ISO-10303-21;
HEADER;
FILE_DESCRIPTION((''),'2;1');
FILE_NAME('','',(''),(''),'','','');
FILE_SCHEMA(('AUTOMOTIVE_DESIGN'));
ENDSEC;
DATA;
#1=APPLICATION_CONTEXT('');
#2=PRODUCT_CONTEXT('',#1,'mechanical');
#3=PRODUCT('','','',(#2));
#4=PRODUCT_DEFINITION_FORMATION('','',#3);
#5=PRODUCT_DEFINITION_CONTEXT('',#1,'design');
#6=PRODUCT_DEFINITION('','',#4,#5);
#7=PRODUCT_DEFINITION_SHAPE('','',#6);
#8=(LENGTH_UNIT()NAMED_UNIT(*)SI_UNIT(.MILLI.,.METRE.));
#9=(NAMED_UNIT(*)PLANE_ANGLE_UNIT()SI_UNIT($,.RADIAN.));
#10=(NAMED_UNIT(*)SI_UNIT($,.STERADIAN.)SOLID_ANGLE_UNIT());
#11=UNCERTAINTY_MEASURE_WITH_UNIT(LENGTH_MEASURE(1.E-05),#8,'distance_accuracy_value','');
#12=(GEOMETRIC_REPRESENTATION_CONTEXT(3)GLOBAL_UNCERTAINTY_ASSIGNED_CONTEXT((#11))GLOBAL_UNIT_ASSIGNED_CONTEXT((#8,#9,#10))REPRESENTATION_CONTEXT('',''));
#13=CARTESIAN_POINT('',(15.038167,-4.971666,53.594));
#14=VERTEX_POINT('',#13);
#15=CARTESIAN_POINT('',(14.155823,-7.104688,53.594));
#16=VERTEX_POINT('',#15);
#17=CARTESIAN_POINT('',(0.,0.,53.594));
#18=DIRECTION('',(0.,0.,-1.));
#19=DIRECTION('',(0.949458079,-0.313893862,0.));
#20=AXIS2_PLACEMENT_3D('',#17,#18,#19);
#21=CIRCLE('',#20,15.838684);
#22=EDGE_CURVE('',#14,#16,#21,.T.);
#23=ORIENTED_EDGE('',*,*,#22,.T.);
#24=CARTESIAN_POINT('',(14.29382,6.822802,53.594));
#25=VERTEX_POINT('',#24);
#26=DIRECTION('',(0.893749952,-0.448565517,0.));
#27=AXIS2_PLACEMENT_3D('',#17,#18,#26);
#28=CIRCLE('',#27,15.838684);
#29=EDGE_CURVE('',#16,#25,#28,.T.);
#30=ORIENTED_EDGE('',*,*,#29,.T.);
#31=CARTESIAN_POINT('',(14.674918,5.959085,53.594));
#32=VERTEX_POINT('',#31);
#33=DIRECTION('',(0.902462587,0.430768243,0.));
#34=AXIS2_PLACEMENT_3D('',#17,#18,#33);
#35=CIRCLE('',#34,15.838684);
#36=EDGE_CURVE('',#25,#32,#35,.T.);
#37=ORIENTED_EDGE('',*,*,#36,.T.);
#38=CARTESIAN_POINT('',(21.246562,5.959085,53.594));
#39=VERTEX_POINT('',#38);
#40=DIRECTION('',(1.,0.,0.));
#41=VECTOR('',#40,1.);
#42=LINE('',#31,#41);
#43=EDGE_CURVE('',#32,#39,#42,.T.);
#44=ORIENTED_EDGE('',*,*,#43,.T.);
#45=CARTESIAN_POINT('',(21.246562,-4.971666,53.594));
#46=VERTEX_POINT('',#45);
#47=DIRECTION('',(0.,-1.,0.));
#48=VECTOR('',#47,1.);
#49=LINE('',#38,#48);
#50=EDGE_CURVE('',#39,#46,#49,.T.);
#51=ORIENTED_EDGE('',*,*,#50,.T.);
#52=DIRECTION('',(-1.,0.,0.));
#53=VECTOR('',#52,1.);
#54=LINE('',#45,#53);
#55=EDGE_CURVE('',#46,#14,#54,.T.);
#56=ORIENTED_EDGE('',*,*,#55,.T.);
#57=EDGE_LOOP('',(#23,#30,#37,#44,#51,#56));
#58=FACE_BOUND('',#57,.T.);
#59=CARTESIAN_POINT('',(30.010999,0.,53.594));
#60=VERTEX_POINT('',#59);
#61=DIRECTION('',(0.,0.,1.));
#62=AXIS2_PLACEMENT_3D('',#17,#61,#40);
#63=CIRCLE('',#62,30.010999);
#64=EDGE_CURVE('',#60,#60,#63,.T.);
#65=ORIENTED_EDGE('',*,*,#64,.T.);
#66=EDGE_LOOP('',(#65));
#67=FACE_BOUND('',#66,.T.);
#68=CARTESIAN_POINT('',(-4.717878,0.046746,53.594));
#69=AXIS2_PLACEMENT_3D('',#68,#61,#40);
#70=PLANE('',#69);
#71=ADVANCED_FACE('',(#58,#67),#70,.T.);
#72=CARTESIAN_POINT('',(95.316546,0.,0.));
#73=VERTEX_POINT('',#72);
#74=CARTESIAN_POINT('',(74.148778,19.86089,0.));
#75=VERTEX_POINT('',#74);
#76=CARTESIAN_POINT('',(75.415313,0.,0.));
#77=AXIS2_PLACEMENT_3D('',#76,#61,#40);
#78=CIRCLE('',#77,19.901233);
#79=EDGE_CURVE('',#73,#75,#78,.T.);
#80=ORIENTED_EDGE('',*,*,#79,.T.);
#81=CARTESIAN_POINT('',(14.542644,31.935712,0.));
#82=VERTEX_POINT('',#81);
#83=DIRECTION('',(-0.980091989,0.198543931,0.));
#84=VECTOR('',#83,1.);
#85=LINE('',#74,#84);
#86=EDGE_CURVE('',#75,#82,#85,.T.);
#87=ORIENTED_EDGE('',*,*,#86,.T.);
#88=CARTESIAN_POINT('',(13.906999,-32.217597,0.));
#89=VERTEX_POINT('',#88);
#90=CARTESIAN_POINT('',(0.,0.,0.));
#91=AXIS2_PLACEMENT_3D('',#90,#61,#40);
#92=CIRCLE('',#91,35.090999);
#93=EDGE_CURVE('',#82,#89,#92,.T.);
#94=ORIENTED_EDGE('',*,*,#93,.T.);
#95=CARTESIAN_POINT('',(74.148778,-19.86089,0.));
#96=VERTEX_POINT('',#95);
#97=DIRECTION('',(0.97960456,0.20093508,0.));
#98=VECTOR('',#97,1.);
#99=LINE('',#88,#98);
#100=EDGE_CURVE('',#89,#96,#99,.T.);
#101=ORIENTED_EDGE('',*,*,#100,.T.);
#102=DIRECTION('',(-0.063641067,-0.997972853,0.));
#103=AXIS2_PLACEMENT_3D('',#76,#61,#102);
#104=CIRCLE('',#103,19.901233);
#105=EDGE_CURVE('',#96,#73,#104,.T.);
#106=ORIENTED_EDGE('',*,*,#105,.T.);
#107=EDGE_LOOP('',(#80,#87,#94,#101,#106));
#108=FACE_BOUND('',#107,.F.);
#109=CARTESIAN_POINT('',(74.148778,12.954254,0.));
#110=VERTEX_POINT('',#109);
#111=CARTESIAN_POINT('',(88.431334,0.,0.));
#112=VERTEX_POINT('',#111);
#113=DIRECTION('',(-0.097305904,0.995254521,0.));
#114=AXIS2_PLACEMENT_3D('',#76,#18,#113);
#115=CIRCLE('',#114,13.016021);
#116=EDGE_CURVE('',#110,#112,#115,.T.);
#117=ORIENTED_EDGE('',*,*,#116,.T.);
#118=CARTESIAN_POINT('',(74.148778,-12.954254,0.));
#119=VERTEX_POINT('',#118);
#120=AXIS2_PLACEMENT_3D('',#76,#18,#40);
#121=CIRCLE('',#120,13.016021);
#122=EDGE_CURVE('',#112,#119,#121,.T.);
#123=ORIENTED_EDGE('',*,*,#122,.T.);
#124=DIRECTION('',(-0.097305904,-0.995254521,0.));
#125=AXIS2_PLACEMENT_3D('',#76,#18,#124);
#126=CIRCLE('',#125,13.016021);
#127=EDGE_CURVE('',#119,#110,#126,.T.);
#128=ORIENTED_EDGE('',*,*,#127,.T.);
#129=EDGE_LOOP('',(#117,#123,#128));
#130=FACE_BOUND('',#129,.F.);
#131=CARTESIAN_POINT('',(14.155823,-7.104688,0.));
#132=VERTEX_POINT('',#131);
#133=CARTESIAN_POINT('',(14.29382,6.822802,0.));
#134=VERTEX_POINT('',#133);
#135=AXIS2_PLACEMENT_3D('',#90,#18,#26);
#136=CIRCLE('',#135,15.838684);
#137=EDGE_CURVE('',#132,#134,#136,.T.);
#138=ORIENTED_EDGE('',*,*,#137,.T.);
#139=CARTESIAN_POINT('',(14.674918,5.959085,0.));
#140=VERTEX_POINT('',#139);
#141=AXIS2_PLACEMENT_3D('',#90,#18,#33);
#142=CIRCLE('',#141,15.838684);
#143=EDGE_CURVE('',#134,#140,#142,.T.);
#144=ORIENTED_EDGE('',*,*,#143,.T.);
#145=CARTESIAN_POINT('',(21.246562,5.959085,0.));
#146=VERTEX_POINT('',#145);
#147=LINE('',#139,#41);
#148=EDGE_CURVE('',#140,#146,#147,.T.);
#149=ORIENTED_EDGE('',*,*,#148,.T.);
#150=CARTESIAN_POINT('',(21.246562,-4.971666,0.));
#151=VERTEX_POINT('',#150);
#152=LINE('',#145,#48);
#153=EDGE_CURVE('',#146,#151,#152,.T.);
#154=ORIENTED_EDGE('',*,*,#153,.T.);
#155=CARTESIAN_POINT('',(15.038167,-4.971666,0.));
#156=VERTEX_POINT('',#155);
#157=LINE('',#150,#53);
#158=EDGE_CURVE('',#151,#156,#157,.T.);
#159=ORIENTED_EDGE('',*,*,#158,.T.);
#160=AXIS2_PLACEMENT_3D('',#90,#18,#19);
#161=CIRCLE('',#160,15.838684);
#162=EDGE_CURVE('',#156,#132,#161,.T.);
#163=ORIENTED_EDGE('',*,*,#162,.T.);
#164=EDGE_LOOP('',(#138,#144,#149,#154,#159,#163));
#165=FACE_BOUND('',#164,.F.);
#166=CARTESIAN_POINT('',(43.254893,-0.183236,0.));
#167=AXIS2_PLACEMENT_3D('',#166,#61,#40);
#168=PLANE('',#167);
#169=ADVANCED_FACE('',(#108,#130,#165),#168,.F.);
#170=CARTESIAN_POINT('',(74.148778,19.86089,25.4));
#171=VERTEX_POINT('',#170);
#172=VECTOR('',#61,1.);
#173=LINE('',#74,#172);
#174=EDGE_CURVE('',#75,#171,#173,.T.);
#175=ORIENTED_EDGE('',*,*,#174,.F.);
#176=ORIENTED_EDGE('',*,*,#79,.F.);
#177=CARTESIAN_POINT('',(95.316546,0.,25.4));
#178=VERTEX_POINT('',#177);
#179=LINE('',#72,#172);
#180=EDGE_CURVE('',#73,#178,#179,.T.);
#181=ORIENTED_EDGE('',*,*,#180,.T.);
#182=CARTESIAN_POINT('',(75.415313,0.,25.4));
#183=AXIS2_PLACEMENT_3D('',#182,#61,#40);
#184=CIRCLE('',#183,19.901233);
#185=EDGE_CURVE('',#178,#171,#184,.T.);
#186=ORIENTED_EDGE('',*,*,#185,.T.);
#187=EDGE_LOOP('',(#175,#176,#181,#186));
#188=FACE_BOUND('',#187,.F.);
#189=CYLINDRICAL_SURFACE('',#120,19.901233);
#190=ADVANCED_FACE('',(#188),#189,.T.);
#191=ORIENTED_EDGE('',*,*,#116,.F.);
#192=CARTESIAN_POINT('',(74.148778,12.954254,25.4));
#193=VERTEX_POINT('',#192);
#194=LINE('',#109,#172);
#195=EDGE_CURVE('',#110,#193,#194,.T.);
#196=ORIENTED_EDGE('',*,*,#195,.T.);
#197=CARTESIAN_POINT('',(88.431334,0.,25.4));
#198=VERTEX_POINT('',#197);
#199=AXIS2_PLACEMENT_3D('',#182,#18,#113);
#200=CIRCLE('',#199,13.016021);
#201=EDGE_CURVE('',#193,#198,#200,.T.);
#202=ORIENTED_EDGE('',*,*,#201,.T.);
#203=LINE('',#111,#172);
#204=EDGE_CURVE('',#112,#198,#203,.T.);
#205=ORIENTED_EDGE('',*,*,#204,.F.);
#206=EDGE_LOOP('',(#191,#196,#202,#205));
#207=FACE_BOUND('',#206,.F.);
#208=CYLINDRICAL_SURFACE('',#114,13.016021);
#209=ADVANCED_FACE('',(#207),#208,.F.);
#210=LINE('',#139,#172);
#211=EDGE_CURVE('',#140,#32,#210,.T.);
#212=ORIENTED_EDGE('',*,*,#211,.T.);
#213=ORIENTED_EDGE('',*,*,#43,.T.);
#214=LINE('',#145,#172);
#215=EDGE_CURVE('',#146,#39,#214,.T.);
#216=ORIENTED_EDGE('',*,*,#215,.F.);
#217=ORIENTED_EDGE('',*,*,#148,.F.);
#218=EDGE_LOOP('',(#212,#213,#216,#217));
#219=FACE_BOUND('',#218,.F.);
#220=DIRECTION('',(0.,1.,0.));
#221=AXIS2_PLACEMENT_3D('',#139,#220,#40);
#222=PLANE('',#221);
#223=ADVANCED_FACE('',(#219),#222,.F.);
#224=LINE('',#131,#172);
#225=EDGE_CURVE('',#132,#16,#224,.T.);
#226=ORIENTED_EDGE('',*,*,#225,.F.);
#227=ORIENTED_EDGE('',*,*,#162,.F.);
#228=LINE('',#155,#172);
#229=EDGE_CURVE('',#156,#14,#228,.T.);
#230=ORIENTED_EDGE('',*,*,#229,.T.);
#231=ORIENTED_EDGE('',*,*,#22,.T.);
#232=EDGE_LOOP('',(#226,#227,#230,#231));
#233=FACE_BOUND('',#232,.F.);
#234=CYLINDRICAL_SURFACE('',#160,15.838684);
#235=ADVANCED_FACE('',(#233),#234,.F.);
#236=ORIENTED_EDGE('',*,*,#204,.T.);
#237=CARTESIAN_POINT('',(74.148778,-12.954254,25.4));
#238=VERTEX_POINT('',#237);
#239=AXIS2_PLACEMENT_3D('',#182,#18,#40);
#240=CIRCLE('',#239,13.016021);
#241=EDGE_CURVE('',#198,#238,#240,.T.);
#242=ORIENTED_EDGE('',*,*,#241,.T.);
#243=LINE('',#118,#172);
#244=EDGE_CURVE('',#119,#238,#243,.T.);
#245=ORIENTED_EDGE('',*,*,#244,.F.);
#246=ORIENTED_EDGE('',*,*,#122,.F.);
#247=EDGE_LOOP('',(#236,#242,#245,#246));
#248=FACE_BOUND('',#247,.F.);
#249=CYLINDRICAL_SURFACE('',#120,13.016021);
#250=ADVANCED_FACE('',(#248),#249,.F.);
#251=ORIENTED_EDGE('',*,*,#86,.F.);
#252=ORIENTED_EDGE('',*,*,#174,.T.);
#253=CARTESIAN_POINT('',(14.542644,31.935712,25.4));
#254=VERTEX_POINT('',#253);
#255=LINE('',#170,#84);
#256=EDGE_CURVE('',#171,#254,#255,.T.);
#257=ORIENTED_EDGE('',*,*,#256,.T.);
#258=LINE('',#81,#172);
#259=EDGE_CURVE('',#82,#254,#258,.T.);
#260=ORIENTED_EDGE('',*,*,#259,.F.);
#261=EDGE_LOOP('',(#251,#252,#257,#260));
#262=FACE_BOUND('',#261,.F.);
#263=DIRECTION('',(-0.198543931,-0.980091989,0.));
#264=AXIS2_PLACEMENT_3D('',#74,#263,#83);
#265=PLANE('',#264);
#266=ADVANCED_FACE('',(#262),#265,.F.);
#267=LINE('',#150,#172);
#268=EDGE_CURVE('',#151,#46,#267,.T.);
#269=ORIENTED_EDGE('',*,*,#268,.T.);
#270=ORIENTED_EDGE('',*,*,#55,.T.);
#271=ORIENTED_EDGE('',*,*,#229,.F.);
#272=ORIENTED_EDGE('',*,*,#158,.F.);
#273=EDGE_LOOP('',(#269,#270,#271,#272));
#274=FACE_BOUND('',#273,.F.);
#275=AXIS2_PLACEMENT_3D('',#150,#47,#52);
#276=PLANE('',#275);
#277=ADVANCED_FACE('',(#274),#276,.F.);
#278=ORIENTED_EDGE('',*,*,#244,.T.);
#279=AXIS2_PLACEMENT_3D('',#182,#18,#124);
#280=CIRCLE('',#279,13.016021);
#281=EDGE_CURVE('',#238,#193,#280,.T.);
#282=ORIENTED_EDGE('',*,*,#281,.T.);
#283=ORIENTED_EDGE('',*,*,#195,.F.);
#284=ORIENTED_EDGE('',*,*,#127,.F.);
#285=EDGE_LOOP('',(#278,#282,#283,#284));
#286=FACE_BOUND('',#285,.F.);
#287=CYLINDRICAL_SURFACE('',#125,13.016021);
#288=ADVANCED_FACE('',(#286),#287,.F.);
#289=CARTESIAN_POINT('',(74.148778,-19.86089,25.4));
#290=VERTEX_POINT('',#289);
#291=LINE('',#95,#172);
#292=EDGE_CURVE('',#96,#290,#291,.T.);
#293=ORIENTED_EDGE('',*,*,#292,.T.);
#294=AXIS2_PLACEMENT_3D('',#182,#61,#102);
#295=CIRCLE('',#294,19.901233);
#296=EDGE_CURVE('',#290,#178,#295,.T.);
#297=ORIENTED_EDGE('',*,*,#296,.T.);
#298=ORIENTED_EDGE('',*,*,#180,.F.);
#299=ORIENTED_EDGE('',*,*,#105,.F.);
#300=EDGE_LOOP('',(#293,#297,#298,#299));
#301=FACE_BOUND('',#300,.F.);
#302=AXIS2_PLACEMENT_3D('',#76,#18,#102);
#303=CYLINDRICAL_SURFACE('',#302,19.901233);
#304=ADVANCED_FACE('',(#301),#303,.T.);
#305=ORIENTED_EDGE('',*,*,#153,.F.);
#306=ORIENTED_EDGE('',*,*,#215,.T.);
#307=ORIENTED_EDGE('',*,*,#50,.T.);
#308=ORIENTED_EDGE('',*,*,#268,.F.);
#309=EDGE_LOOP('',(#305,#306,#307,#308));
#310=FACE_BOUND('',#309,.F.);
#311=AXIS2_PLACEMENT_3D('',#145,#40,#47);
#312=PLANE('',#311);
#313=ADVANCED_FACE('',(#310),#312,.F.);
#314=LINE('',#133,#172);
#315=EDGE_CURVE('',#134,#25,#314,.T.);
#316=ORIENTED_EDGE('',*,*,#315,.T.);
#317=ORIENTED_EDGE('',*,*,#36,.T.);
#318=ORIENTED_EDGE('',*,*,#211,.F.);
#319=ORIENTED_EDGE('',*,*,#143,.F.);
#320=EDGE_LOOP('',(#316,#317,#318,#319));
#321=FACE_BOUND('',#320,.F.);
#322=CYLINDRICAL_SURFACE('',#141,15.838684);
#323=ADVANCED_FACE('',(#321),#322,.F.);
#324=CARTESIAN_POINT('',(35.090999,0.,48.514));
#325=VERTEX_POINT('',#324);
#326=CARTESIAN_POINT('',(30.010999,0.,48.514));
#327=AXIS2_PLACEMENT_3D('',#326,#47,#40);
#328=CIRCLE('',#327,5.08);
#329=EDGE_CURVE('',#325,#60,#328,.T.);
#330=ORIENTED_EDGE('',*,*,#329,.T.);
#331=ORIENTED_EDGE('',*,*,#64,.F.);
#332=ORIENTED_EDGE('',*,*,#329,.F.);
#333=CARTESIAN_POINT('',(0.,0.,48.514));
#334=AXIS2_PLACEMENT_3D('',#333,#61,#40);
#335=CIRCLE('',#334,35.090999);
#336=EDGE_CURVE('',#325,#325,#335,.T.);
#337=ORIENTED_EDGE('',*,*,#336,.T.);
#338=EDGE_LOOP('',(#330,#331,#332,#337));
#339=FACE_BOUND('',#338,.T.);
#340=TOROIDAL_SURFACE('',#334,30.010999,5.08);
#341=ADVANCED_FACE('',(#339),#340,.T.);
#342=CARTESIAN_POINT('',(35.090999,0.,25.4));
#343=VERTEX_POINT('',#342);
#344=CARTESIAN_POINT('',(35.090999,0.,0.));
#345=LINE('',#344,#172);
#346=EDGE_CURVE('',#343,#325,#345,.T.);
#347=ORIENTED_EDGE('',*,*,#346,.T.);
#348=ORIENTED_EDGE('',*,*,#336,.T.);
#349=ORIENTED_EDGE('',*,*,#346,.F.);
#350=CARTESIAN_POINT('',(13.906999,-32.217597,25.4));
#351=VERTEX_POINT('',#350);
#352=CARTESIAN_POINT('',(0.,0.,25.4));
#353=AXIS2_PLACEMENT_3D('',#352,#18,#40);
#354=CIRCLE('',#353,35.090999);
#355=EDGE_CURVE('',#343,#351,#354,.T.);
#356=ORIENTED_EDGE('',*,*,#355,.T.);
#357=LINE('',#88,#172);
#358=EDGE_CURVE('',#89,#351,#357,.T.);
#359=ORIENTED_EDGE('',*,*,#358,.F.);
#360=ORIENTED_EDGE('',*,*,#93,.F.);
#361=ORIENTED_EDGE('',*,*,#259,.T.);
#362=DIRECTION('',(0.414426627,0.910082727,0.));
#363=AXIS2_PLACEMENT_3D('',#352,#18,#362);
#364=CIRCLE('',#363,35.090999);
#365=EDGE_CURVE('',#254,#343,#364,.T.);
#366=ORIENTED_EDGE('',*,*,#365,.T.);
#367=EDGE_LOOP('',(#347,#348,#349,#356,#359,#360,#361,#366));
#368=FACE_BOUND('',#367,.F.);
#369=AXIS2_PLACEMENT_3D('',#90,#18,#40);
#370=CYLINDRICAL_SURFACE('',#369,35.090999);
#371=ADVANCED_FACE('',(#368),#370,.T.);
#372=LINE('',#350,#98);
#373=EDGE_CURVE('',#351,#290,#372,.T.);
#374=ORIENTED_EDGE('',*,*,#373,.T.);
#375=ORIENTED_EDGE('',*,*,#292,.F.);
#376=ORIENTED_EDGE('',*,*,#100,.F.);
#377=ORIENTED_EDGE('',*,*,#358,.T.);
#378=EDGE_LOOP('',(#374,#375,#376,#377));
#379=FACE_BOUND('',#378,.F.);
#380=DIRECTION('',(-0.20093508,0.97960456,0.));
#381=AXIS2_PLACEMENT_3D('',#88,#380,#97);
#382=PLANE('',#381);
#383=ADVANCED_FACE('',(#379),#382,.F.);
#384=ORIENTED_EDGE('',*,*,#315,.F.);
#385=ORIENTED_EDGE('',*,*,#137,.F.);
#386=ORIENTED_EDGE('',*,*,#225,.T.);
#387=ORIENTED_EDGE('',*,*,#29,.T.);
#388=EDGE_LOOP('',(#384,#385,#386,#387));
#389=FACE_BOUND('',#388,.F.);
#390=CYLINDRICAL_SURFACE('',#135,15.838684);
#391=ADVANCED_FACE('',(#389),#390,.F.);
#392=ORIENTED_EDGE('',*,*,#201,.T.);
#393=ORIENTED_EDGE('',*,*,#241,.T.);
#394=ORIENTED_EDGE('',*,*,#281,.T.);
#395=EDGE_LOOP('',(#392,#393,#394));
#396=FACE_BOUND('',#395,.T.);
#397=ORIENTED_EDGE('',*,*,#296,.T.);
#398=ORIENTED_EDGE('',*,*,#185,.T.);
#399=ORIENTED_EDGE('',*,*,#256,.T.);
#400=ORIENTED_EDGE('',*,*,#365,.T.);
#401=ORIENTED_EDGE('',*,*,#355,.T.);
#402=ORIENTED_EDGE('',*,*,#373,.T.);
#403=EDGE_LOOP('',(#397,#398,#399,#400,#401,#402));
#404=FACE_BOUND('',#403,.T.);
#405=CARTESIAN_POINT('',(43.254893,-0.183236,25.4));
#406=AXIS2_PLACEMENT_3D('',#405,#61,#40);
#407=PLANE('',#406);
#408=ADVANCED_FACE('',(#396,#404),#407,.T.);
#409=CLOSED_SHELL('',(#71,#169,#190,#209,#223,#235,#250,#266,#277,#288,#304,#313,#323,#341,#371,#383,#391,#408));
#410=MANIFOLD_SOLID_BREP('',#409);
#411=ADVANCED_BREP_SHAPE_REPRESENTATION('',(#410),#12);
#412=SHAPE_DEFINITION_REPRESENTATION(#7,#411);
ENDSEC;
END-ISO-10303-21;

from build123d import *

# Parameters (mm, degrees)
F1_DEPTH = 53.594
F2_DEPTH = 25.4
F3_R     = 5.08


with BuildPart() as f1:
    # F0 (on Top) → F1 (new body)
    with BuildSketch(Plane.XY):
        with BuildLine():
            Line((14.2938200345, 6.8228022219), (14.5426443405, 31.9357120423))
            ThreePointArc((14.5426443405, 31.9357120423), (-35.0892765953, 0.3476723709), (13.9069990558, -32.217597448))
            Line((13.9069990558, -32.217597448), (14.1558233618, -7.1046876277))
            ThreePointArc((14.1558233618, -7.1046876277), (-15.8379069236, 0.1569255107), (14.2938200345, 6.8228022219))
        make_face()
        with BuildLine():
            ThreePointArc((13.9069990558, -32.217597448), (29.3205448233, -19.2791042148), (35.0909989607, 0))
            ThreePointArc((35.0909989607, 0), (29.5101179725, 18.98765771), (14.5426443405, 31.9357120423))
            Line((14.5426443405, 31.9357120423), (14.2938200345, 6.8228022219))
            ThreePointArc((14.2938200345, 6.8228022219), (14.4908058573, 6.3937834608), (14.6749184523, 5.9590846408))
            Line((14.6749184523, 5.9590846408), (21.2465617806, 5.9590846408))
            Line((21.2465617806, 5.9590846408), (21.2465617806, 0))
            Line((21.2465617806, 0), (21.2465617806, -4.9716657959))
            Line((21.2465617806, -4.9716657959), (15.0381667949, -4.9716657959))
            ThreePointArc((15.0381667949, -4.9716657959), (14.6359048525, -6.0542720856), (14.1558233618, -7.1046876277))
            Line((14.1558233618, -7.1046876277), (13.9069990558, -32.217597448))
        make_face()
    extrude(amount=F1_DEPTH)

    # F0 (on Top) → F2 (join)
    with BuildSketch(Plane.XY):
        with BuildLine():
            ThreePointArc((14.5426443405, 31.9357120423), (29.5101179725, 18.98765771), (35.0909989607, 0))
            ThreePointArc((35.0909989607, 0), (29.3205448233, -19.2791042148), (13.9069990558, -32.217597448))
            Line((13.9069990558, -32.217597448), (74.1487775429, -19.8608903789))
            ThreePointArc((74.1487775429, -19.8608903789), (55.5140801332, 0), (74.1487775429, 19.8608903789))
            Line((74.1487775429, 19.8608903789), (14.5426443405, 31.9357120423))
        make_face()
        with BuildLine():
            ThreePointArc((95.3165463545, 0), (89.0324615704, 14.5131785208), (74.1487775429, 19.8608903789))
            Line((74.1487775429, 19.8608903789), (74.1487775429, 12.9542538791))
            ThreePointArc((74.1487775429, 12.9542538791), (84.1597843769, 9.6411114946), (88.4313343812, 0))
            ThreePointArc((88.4313343812, 0), (84.1597843769, -9.6411114946), (74.1487775429, -12.9542538791))
            Line((74.1487775429, -12.9542538791), (74.1487775429, -19.8608903789))
            ThreePointArc((74.1487775429, -19.8608903789), (89.0324615704, -14.5131785208), (95.3165463545, 0))
        make_face()
        with BuildLine():
            Line((74.1487775429, 12.9542538791), (74.1487775429, 19.8608903789))
            ThreePointArc((74.1487775429, 19.8608903789), (55.5140801332, 0), (74.1487775429, -19.8608903789))
            Line((74.1487775429, -19.8608903789), (74.1487775429, -12.9542538791))
            ThreePointArc((74.1487775429, -12.9542538791), (62.3992921066, 0), (74.1487775429, 12.9542538791))
        make_face()
    extrude(amount=F2_DEPTH)

    # F3
    f3_edges = [f1.edges().sort_by_distance(p)[0] for p in [
        (-13.906999, 32.217597, 53.594),
    ]]
    fillet(f3_edges, radius=F3_R)


solid = f1.part
